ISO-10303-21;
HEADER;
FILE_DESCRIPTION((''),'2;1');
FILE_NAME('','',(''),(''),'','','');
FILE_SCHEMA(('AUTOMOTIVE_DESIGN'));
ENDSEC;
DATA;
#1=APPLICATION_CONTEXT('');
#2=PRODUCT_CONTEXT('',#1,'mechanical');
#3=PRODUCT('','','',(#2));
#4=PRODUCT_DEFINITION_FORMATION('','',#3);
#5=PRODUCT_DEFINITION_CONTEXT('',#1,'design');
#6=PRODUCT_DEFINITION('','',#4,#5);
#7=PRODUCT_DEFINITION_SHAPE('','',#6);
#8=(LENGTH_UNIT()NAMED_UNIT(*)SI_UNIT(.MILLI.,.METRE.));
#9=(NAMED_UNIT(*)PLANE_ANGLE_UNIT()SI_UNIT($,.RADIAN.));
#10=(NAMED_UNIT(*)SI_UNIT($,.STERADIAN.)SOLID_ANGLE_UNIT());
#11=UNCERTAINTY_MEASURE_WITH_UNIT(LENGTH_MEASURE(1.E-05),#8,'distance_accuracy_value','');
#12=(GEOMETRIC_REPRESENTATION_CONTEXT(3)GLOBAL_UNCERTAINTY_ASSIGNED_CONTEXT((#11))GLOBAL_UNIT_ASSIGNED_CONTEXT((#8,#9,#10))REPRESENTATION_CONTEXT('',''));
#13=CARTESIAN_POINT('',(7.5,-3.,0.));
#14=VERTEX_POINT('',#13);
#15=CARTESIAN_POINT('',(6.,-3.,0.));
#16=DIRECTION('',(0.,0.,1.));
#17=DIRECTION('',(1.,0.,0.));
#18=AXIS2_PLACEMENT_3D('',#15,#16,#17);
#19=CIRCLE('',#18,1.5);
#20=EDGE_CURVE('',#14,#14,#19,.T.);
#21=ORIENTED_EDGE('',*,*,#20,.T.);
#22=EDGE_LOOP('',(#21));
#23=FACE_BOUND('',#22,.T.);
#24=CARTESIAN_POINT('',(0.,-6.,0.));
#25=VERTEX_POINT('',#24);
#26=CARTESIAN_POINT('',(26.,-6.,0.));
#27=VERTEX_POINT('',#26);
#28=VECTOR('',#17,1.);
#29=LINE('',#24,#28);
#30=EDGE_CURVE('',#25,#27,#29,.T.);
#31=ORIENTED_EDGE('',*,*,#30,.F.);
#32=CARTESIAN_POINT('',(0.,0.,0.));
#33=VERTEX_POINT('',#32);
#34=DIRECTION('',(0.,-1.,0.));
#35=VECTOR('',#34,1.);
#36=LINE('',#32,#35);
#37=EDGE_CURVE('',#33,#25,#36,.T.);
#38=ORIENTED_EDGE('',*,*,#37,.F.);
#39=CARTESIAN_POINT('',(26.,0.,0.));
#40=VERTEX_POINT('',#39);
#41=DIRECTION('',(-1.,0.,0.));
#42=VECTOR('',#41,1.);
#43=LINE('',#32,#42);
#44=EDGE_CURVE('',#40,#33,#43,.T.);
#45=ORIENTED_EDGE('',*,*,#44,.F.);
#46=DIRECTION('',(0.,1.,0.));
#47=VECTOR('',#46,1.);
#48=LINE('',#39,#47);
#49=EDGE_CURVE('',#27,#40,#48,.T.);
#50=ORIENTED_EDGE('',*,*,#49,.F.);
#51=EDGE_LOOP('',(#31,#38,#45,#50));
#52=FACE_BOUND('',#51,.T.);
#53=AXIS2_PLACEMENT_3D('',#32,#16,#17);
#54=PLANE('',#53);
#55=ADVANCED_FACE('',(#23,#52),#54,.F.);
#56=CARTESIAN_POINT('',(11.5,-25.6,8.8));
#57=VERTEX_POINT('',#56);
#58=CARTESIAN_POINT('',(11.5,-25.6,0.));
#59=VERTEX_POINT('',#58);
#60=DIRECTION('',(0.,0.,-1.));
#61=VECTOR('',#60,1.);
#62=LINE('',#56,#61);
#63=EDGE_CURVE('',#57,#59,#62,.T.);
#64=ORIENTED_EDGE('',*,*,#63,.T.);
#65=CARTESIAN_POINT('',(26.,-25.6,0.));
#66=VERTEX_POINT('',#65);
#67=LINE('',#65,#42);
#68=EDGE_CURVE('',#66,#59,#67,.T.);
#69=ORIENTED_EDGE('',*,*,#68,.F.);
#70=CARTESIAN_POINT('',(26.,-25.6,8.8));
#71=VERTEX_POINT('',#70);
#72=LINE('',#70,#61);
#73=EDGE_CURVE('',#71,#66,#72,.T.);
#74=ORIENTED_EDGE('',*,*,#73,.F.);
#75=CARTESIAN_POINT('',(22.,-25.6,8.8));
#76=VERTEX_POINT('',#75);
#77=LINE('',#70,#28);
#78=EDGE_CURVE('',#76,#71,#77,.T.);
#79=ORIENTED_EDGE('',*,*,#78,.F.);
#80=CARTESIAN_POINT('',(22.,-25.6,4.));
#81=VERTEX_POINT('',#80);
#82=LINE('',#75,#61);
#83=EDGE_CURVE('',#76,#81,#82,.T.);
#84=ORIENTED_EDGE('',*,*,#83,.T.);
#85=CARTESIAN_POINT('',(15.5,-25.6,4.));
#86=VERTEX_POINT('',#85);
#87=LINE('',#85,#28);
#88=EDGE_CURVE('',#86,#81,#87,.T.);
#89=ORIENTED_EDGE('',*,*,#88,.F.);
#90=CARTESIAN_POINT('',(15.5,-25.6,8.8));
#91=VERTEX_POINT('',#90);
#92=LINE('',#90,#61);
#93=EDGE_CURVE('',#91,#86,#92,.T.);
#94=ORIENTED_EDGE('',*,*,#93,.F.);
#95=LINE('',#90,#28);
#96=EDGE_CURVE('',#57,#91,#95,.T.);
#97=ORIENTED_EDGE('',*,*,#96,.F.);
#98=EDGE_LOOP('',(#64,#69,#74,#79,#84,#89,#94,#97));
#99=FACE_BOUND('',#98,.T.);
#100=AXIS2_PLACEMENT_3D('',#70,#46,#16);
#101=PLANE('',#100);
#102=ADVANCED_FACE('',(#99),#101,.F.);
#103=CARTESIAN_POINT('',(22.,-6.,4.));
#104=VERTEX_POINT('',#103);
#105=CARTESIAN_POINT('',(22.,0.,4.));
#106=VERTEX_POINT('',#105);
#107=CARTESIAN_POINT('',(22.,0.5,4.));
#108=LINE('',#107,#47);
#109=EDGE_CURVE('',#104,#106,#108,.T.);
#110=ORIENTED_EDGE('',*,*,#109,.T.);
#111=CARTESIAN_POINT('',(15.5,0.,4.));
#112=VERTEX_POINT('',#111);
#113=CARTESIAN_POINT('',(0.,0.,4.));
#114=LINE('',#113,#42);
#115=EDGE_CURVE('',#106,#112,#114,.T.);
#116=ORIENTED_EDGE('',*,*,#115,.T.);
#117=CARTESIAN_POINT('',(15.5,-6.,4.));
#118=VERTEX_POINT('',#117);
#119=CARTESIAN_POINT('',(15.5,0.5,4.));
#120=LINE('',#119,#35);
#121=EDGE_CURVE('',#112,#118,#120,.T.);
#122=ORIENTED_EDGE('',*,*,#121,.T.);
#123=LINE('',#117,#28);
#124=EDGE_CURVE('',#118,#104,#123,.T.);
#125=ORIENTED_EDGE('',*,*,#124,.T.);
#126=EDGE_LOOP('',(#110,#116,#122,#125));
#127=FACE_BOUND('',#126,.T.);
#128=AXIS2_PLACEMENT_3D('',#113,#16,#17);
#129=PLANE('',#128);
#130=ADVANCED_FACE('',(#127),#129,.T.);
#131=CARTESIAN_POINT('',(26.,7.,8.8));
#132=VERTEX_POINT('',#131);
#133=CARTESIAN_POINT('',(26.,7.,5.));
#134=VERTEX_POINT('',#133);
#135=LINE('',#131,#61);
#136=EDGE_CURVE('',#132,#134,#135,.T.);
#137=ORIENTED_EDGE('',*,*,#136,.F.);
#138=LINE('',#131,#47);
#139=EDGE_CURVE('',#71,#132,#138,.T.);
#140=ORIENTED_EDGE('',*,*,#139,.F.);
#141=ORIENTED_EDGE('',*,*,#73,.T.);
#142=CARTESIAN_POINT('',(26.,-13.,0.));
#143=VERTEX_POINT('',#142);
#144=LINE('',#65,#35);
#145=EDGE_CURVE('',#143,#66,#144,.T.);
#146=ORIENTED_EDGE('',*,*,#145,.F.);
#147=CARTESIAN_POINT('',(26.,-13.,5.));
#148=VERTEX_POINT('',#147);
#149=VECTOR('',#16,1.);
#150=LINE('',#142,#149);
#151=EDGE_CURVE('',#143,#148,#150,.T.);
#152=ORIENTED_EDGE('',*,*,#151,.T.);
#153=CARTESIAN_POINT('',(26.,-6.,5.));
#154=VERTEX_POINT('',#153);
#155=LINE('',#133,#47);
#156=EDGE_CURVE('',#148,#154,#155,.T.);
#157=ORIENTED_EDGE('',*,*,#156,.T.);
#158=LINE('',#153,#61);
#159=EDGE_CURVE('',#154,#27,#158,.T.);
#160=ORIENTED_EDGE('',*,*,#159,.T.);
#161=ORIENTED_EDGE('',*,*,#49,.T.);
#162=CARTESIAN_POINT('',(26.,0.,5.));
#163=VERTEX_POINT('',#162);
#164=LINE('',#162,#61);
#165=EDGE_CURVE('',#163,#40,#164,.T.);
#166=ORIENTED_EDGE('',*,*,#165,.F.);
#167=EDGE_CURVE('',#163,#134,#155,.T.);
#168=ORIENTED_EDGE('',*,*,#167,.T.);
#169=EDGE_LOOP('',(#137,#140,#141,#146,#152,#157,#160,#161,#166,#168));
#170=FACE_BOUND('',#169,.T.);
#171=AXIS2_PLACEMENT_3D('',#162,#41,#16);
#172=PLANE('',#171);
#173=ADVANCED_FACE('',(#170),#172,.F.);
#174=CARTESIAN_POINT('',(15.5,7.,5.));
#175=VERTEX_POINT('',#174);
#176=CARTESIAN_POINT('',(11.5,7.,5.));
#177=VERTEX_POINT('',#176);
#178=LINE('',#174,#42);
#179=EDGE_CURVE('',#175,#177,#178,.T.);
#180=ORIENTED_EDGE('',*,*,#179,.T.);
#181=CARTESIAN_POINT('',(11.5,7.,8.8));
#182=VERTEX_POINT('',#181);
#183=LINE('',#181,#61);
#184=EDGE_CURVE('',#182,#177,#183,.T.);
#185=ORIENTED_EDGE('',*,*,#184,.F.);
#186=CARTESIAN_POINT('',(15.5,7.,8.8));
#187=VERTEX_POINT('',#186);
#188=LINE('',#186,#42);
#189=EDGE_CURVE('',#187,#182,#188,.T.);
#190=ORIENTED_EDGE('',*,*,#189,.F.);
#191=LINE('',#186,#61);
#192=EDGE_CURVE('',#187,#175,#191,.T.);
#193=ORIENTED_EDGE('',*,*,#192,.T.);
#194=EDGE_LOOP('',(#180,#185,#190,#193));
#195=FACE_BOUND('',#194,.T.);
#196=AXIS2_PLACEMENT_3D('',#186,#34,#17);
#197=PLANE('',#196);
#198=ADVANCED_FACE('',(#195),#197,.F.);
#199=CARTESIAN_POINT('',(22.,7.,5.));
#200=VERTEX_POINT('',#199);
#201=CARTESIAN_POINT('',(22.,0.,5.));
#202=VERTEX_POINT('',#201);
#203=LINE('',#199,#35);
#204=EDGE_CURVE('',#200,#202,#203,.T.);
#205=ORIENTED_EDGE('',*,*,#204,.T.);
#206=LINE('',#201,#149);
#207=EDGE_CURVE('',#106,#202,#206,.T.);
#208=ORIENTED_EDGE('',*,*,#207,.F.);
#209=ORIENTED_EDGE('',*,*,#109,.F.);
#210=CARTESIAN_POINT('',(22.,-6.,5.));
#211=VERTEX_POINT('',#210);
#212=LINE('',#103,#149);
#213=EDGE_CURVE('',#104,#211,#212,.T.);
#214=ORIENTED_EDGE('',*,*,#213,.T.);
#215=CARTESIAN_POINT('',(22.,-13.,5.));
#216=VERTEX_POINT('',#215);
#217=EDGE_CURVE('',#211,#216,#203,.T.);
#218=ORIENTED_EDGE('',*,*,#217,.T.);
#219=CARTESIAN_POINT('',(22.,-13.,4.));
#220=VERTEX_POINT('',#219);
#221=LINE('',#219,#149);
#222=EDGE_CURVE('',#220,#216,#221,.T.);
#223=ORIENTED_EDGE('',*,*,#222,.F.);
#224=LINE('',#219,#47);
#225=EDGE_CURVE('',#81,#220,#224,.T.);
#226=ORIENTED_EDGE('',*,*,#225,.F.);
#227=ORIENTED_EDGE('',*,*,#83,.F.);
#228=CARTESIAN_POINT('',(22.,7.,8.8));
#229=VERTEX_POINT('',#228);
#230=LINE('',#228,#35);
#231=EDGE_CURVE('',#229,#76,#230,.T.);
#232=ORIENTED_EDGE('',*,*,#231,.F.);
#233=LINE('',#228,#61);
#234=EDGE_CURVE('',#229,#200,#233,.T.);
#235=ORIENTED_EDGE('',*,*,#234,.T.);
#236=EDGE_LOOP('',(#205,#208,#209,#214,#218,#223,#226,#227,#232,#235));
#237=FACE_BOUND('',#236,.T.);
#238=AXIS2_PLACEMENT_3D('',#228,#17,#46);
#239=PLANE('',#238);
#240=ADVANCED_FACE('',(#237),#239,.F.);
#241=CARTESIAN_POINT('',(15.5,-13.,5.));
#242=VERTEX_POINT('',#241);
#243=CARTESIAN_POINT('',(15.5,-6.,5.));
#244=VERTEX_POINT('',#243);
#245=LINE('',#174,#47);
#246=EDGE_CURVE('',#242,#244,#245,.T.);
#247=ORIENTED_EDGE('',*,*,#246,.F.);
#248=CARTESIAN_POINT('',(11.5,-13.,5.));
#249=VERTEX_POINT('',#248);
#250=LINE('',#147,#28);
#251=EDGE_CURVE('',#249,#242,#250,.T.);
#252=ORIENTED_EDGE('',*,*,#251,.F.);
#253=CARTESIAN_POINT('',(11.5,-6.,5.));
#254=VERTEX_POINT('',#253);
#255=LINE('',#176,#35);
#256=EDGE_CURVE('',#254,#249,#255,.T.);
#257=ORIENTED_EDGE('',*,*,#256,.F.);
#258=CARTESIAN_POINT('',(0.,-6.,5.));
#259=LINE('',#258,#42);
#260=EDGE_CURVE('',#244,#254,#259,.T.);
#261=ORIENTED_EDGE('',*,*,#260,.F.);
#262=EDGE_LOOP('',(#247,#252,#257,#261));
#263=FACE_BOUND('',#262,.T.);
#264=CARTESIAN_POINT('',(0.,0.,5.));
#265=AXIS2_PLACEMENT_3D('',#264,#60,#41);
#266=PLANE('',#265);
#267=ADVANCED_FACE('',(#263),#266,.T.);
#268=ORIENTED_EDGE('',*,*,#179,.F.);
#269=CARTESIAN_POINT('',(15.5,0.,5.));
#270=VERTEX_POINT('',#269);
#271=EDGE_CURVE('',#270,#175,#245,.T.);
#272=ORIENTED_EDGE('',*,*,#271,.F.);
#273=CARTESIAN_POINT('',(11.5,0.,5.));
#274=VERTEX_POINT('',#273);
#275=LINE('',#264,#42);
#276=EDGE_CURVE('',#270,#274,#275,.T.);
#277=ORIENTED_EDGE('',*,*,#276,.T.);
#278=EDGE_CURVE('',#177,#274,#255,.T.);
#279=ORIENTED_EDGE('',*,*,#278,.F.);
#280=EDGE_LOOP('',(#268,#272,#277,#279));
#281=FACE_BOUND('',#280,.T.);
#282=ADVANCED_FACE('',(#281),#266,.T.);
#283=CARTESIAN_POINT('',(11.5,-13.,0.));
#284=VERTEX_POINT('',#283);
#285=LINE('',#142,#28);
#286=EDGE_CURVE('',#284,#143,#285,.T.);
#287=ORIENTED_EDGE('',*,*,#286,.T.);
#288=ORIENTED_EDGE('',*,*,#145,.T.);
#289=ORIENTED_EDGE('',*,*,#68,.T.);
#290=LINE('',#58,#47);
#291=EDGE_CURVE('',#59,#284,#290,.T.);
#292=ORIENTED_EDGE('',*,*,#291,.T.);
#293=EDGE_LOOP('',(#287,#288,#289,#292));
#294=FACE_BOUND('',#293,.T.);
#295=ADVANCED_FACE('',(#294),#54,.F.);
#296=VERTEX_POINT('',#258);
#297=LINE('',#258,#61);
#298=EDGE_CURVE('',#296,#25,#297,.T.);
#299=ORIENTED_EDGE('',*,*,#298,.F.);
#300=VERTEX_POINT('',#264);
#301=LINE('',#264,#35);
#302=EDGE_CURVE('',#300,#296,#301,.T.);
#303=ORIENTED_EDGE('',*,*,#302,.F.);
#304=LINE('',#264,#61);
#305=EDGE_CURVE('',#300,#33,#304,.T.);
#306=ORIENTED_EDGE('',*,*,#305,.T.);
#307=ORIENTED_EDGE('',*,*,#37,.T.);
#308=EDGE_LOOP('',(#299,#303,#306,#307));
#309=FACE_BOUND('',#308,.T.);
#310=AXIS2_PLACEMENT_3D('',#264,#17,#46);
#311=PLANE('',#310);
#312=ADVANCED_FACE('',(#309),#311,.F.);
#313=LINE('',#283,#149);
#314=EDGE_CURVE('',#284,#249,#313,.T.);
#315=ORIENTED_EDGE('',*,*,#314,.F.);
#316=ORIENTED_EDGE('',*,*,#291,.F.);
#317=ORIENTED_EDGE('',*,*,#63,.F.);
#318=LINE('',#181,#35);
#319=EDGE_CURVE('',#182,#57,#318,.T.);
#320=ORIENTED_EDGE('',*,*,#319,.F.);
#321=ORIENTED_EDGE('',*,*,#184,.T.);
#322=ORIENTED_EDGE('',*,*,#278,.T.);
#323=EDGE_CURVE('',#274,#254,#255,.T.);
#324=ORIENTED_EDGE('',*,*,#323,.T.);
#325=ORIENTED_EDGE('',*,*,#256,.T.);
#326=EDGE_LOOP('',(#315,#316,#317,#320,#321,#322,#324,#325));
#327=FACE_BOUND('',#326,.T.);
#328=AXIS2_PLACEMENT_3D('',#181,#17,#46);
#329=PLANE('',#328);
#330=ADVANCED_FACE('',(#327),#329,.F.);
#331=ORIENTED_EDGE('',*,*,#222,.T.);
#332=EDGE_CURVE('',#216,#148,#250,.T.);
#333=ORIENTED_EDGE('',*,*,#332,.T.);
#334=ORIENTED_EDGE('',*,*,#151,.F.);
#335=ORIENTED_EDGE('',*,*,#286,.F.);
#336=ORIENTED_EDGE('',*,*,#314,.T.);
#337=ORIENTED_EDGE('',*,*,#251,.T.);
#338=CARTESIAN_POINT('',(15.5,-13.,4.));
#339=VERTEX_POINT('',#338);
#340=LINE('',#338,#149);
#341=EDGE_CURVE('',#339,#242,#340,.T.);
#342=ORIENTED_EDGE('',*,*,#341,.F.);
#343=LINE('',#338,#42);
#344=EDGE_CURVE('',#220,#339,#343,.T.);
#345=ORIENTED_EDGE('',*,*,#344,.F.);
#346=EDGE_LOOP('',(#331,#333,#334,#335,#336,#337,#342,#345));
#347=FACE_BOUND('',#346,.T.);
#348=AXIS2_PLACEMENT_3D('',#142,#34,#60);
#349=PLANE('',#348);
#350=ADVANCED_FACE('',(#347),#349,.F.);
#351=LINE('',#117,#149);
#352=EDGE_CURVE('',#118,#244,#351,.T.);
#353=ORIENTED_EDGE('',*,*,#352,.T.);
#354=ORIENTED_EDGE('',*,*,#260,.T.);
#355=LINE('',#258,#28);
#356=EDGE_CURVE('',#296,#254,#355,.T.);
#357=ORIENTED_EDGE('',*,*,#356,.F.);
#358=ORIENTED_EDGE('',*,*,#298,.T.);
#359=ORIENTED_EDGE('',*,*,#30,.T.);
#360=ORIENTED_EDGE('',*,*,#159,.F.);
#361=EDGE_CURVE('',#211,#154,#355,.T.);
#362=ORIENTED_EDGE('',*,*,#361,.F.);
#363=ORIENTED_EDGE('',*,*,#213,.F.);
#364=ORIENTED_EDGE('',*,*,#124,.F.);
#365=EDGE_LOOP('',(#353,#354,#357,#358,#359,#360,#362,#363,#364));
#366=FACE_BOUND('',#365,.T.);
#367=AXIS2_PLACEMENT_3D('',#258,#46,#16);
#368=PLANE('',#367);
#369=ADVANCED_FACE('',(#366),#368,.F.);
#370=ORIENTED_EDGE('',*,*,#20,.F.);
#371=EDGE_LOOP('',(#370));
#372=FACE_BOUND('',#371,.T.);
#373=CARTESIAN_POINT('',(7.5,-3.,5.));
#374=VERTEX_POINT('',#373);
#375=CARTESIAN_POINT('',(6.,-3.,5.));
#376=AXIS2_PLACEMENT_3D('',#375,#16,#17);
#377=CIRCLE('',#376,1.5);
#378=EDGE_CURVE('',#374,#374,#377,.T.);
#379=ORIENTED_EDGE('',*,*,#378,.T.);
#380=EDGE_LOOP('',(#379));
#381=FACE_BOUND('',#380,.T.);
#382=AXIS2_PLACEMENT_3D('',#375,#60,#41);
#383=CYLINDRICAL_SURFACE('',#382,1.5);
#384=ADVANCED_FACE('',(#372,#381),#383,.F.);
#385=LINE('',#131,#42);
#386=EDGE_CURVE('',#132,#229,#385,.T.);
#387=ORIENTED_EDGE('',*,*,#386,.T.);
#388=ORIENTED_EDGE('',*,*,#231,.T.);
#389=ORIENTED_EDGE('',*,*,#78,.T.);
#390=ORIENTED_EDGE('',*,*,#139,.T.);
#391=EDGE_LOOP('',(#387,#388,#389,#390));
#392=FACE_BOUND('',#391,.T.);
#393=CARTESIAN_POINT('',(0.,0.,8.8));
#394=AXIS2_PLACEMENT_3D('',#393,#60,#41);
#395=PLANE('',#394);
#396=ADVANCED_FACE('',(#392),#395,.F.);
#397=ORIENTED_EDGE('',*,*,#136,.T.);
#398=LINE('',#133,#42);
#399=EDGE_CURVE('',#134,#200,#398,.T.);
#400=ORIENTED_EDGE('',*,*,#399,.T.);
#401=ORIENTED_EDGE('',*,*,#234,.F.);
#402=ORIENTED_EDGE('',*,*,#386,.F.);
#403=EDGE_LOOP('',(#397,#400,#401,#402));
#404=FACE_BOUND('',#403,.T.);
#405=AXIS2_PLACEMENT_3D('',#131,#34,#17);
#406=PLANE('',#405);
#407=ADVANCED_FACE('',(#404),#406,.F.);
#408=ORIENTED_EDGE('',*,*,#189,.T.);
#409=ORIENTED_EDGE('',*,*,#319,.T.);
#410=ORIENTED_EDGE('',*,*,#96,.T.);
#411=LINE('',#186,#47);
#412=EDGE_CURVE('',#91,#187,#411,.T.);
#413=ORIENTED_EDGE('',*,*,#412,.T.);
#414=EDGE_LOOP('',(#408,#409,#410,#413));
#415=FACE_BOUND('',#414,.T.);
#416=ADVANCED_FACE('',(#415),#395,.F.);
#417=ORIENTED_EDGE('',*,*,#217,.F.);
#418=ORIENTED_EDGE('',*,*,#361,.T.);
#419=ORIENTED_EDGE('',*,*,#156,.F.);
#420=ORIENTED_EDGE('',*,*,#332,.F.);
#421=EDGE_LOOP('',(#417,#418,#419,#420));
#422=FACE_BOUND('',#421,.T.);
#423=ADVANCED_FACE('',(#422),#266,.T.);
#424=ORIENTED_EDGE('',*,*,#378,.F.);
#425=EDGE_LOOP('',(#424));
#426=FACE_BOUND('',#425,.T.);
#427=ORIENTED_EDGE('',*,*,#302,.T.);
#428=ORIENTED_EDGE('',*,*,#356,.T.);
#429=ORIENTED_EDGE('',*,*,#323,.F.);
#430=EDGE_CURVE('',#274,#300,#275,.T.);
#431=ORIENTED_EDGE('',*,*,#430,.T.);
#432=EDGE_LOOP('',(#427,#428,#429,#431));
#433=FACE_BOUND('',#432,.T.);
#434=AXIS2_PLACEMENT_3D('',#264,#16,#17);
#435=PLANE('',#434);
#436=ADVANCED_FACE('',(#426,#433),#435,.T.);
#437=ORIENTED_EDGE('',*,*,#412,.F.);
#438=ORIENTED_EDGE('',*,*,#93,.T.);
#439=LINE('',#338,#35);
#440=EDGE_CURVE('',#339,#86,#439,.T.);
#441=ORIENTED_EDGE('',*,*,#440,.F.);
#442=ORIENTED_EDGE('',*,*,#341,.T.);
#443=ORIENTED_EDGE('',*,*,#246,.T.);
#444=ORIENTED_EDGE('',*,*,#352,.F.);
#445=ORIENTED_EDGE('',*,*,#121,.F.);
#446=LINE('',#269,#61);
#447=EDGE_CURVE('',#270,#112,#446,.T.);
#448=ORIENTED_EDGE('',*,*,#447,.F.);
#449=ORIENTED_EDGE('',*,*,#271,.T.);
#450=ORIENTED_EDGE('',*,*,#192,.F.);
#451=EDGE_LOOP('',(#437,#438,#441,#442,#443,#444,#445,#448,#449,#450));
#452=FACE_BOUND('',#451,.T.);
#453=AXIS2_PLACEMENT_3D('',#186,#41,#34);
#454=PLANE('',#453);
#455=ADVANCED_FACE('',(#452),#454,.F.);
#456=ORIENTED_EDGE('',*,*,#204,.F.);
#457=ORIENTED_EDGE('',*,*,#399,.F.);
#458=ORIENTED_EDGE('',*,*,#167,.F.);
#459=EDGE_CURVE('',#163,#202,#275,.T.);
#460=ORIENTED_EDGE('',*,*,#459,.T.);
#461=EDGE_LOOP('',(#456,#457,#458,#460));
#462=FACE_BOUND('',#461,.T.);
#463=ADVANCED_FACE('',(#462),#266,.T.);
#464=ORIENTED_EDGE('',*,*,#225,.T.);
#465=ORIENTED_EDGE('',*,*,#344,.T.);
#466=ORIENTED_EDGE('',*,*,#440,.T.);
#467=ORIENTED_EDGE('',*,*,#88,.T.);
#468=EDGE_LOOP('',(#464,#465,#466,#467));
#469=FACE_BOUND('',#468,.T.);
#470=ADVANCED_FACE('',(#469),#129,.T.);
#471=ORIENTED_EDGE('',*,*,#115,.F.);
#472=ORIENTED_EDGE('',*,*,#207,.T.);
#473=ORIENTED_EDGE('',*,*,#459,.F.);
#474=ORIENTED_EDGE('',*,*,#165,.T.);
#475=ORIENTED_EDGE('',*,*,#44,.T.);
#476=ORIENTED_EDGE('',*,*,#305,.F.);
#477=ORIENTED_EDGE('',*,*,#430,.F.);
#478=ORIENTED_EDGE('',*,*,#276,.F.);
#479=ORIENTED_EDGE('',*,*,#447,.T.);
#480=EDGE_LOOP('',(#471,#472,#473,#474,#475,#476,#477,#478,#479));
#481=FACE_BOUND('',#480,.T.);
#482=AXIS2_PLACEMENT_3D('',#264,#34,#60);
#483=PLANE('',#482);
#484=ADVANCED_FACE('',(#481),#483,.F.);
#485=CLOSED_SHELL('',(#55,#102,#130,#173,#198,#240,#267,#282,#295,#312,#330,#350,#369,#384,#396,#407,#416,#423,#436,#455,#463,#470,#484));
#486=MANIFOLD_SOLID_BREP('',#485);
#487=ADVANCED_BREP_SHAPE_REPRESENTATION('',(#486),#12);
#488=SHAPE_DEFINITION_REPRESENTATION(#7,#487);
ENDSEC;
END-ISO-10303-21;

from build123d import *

# Parameters (mm, degrees)
SKETCH_1_W          = 26
SKETCH_1_H          = 6
SKETCH_1_R          = 1.5
EXTRUDE_1_DEPTH     = 5
SKETCH_2_W          = 4
SKETCH_2_H          = 32.6
EXTRUDE_2_DEPTH     = 3.8
SKETCH_3_W          = 6.5
SKETCH_3_H          = 6.5
CUT_EXTRUDE_1_DEPTH = 1
SKETCH_4_W          = 14.5
SKETCH_4_H          = 12.6
EXTRUDE_3_DEPTH     = 5
SKETCH_5_W          = 6.5
SKETCH_5_H          = 12.6
CUT_EXTRUDE_2_DEPTH = 1


with BuildPart() as part:
    # 草图1 → 凸台-拉伸1 (new body)
    with BuildSketch(Plane.XY):
        with Locations((13, -3)):
            Rectangle(SKETCH_1_W, SKETCH_1_H)
        with Locations((6, -3)):
            Circle(SKETCH_1_R, mode=Mode.SUBTRACT)
    extrude(amount=EXTRUDE_1_DEPTH)

    # 草图2 → 凸台-拉伸2 (add)
    with BuildSketch(Plane.XY.offset(5)):
        with Locations((24, -9.3)):
            Rectangle(SKETCH_2_W, SKETCH_2_H)
        with Locations((13.5, -9.3)):
            Rectangle(SKETCH_2_W, SKETCH_2_H)
    extrude(amount=EXTRUDE_2_DEPTH)

    # 草图3 → 切除-拉伸1 (cut)
    with BuildSketch(Plane.XY.offset(5)):
        with Locations((18.75, -2.75)):
            Rectangle(SKETCH_3_W, SKETCH_3_H)
    extrude(amount=-CUT_EXTRUDE_1_DEPTH, mode=Mode.SUBTRACT)

    # 草图4 → 凸台-拉伸3 (add)
    with BuildSketch(Plane(origin=(0, 0, 5), x_dir=(-1, 0, 0), z_dir=(0, 0, -1))):
        with Locations((-18.75, -19.3)):
            Rectangle(SKETCH_4_W, SKETCH_4_H)
    extrude(amount=EXTRUDE_3_DEPTH)

    # 草图5 → 切除-拉伸2 (cut)
    with BuildSketch(Plane.XY.offset(5)):
        with Locations((18.75, -19.3)):
            Rectangle(SKETCH_5_W, SKETCH_5_H)
    extrude(amount=-CUT_EXTRUDE_2_DEPTH, mode=Mode.SUBTRACT)


solid = part.part
